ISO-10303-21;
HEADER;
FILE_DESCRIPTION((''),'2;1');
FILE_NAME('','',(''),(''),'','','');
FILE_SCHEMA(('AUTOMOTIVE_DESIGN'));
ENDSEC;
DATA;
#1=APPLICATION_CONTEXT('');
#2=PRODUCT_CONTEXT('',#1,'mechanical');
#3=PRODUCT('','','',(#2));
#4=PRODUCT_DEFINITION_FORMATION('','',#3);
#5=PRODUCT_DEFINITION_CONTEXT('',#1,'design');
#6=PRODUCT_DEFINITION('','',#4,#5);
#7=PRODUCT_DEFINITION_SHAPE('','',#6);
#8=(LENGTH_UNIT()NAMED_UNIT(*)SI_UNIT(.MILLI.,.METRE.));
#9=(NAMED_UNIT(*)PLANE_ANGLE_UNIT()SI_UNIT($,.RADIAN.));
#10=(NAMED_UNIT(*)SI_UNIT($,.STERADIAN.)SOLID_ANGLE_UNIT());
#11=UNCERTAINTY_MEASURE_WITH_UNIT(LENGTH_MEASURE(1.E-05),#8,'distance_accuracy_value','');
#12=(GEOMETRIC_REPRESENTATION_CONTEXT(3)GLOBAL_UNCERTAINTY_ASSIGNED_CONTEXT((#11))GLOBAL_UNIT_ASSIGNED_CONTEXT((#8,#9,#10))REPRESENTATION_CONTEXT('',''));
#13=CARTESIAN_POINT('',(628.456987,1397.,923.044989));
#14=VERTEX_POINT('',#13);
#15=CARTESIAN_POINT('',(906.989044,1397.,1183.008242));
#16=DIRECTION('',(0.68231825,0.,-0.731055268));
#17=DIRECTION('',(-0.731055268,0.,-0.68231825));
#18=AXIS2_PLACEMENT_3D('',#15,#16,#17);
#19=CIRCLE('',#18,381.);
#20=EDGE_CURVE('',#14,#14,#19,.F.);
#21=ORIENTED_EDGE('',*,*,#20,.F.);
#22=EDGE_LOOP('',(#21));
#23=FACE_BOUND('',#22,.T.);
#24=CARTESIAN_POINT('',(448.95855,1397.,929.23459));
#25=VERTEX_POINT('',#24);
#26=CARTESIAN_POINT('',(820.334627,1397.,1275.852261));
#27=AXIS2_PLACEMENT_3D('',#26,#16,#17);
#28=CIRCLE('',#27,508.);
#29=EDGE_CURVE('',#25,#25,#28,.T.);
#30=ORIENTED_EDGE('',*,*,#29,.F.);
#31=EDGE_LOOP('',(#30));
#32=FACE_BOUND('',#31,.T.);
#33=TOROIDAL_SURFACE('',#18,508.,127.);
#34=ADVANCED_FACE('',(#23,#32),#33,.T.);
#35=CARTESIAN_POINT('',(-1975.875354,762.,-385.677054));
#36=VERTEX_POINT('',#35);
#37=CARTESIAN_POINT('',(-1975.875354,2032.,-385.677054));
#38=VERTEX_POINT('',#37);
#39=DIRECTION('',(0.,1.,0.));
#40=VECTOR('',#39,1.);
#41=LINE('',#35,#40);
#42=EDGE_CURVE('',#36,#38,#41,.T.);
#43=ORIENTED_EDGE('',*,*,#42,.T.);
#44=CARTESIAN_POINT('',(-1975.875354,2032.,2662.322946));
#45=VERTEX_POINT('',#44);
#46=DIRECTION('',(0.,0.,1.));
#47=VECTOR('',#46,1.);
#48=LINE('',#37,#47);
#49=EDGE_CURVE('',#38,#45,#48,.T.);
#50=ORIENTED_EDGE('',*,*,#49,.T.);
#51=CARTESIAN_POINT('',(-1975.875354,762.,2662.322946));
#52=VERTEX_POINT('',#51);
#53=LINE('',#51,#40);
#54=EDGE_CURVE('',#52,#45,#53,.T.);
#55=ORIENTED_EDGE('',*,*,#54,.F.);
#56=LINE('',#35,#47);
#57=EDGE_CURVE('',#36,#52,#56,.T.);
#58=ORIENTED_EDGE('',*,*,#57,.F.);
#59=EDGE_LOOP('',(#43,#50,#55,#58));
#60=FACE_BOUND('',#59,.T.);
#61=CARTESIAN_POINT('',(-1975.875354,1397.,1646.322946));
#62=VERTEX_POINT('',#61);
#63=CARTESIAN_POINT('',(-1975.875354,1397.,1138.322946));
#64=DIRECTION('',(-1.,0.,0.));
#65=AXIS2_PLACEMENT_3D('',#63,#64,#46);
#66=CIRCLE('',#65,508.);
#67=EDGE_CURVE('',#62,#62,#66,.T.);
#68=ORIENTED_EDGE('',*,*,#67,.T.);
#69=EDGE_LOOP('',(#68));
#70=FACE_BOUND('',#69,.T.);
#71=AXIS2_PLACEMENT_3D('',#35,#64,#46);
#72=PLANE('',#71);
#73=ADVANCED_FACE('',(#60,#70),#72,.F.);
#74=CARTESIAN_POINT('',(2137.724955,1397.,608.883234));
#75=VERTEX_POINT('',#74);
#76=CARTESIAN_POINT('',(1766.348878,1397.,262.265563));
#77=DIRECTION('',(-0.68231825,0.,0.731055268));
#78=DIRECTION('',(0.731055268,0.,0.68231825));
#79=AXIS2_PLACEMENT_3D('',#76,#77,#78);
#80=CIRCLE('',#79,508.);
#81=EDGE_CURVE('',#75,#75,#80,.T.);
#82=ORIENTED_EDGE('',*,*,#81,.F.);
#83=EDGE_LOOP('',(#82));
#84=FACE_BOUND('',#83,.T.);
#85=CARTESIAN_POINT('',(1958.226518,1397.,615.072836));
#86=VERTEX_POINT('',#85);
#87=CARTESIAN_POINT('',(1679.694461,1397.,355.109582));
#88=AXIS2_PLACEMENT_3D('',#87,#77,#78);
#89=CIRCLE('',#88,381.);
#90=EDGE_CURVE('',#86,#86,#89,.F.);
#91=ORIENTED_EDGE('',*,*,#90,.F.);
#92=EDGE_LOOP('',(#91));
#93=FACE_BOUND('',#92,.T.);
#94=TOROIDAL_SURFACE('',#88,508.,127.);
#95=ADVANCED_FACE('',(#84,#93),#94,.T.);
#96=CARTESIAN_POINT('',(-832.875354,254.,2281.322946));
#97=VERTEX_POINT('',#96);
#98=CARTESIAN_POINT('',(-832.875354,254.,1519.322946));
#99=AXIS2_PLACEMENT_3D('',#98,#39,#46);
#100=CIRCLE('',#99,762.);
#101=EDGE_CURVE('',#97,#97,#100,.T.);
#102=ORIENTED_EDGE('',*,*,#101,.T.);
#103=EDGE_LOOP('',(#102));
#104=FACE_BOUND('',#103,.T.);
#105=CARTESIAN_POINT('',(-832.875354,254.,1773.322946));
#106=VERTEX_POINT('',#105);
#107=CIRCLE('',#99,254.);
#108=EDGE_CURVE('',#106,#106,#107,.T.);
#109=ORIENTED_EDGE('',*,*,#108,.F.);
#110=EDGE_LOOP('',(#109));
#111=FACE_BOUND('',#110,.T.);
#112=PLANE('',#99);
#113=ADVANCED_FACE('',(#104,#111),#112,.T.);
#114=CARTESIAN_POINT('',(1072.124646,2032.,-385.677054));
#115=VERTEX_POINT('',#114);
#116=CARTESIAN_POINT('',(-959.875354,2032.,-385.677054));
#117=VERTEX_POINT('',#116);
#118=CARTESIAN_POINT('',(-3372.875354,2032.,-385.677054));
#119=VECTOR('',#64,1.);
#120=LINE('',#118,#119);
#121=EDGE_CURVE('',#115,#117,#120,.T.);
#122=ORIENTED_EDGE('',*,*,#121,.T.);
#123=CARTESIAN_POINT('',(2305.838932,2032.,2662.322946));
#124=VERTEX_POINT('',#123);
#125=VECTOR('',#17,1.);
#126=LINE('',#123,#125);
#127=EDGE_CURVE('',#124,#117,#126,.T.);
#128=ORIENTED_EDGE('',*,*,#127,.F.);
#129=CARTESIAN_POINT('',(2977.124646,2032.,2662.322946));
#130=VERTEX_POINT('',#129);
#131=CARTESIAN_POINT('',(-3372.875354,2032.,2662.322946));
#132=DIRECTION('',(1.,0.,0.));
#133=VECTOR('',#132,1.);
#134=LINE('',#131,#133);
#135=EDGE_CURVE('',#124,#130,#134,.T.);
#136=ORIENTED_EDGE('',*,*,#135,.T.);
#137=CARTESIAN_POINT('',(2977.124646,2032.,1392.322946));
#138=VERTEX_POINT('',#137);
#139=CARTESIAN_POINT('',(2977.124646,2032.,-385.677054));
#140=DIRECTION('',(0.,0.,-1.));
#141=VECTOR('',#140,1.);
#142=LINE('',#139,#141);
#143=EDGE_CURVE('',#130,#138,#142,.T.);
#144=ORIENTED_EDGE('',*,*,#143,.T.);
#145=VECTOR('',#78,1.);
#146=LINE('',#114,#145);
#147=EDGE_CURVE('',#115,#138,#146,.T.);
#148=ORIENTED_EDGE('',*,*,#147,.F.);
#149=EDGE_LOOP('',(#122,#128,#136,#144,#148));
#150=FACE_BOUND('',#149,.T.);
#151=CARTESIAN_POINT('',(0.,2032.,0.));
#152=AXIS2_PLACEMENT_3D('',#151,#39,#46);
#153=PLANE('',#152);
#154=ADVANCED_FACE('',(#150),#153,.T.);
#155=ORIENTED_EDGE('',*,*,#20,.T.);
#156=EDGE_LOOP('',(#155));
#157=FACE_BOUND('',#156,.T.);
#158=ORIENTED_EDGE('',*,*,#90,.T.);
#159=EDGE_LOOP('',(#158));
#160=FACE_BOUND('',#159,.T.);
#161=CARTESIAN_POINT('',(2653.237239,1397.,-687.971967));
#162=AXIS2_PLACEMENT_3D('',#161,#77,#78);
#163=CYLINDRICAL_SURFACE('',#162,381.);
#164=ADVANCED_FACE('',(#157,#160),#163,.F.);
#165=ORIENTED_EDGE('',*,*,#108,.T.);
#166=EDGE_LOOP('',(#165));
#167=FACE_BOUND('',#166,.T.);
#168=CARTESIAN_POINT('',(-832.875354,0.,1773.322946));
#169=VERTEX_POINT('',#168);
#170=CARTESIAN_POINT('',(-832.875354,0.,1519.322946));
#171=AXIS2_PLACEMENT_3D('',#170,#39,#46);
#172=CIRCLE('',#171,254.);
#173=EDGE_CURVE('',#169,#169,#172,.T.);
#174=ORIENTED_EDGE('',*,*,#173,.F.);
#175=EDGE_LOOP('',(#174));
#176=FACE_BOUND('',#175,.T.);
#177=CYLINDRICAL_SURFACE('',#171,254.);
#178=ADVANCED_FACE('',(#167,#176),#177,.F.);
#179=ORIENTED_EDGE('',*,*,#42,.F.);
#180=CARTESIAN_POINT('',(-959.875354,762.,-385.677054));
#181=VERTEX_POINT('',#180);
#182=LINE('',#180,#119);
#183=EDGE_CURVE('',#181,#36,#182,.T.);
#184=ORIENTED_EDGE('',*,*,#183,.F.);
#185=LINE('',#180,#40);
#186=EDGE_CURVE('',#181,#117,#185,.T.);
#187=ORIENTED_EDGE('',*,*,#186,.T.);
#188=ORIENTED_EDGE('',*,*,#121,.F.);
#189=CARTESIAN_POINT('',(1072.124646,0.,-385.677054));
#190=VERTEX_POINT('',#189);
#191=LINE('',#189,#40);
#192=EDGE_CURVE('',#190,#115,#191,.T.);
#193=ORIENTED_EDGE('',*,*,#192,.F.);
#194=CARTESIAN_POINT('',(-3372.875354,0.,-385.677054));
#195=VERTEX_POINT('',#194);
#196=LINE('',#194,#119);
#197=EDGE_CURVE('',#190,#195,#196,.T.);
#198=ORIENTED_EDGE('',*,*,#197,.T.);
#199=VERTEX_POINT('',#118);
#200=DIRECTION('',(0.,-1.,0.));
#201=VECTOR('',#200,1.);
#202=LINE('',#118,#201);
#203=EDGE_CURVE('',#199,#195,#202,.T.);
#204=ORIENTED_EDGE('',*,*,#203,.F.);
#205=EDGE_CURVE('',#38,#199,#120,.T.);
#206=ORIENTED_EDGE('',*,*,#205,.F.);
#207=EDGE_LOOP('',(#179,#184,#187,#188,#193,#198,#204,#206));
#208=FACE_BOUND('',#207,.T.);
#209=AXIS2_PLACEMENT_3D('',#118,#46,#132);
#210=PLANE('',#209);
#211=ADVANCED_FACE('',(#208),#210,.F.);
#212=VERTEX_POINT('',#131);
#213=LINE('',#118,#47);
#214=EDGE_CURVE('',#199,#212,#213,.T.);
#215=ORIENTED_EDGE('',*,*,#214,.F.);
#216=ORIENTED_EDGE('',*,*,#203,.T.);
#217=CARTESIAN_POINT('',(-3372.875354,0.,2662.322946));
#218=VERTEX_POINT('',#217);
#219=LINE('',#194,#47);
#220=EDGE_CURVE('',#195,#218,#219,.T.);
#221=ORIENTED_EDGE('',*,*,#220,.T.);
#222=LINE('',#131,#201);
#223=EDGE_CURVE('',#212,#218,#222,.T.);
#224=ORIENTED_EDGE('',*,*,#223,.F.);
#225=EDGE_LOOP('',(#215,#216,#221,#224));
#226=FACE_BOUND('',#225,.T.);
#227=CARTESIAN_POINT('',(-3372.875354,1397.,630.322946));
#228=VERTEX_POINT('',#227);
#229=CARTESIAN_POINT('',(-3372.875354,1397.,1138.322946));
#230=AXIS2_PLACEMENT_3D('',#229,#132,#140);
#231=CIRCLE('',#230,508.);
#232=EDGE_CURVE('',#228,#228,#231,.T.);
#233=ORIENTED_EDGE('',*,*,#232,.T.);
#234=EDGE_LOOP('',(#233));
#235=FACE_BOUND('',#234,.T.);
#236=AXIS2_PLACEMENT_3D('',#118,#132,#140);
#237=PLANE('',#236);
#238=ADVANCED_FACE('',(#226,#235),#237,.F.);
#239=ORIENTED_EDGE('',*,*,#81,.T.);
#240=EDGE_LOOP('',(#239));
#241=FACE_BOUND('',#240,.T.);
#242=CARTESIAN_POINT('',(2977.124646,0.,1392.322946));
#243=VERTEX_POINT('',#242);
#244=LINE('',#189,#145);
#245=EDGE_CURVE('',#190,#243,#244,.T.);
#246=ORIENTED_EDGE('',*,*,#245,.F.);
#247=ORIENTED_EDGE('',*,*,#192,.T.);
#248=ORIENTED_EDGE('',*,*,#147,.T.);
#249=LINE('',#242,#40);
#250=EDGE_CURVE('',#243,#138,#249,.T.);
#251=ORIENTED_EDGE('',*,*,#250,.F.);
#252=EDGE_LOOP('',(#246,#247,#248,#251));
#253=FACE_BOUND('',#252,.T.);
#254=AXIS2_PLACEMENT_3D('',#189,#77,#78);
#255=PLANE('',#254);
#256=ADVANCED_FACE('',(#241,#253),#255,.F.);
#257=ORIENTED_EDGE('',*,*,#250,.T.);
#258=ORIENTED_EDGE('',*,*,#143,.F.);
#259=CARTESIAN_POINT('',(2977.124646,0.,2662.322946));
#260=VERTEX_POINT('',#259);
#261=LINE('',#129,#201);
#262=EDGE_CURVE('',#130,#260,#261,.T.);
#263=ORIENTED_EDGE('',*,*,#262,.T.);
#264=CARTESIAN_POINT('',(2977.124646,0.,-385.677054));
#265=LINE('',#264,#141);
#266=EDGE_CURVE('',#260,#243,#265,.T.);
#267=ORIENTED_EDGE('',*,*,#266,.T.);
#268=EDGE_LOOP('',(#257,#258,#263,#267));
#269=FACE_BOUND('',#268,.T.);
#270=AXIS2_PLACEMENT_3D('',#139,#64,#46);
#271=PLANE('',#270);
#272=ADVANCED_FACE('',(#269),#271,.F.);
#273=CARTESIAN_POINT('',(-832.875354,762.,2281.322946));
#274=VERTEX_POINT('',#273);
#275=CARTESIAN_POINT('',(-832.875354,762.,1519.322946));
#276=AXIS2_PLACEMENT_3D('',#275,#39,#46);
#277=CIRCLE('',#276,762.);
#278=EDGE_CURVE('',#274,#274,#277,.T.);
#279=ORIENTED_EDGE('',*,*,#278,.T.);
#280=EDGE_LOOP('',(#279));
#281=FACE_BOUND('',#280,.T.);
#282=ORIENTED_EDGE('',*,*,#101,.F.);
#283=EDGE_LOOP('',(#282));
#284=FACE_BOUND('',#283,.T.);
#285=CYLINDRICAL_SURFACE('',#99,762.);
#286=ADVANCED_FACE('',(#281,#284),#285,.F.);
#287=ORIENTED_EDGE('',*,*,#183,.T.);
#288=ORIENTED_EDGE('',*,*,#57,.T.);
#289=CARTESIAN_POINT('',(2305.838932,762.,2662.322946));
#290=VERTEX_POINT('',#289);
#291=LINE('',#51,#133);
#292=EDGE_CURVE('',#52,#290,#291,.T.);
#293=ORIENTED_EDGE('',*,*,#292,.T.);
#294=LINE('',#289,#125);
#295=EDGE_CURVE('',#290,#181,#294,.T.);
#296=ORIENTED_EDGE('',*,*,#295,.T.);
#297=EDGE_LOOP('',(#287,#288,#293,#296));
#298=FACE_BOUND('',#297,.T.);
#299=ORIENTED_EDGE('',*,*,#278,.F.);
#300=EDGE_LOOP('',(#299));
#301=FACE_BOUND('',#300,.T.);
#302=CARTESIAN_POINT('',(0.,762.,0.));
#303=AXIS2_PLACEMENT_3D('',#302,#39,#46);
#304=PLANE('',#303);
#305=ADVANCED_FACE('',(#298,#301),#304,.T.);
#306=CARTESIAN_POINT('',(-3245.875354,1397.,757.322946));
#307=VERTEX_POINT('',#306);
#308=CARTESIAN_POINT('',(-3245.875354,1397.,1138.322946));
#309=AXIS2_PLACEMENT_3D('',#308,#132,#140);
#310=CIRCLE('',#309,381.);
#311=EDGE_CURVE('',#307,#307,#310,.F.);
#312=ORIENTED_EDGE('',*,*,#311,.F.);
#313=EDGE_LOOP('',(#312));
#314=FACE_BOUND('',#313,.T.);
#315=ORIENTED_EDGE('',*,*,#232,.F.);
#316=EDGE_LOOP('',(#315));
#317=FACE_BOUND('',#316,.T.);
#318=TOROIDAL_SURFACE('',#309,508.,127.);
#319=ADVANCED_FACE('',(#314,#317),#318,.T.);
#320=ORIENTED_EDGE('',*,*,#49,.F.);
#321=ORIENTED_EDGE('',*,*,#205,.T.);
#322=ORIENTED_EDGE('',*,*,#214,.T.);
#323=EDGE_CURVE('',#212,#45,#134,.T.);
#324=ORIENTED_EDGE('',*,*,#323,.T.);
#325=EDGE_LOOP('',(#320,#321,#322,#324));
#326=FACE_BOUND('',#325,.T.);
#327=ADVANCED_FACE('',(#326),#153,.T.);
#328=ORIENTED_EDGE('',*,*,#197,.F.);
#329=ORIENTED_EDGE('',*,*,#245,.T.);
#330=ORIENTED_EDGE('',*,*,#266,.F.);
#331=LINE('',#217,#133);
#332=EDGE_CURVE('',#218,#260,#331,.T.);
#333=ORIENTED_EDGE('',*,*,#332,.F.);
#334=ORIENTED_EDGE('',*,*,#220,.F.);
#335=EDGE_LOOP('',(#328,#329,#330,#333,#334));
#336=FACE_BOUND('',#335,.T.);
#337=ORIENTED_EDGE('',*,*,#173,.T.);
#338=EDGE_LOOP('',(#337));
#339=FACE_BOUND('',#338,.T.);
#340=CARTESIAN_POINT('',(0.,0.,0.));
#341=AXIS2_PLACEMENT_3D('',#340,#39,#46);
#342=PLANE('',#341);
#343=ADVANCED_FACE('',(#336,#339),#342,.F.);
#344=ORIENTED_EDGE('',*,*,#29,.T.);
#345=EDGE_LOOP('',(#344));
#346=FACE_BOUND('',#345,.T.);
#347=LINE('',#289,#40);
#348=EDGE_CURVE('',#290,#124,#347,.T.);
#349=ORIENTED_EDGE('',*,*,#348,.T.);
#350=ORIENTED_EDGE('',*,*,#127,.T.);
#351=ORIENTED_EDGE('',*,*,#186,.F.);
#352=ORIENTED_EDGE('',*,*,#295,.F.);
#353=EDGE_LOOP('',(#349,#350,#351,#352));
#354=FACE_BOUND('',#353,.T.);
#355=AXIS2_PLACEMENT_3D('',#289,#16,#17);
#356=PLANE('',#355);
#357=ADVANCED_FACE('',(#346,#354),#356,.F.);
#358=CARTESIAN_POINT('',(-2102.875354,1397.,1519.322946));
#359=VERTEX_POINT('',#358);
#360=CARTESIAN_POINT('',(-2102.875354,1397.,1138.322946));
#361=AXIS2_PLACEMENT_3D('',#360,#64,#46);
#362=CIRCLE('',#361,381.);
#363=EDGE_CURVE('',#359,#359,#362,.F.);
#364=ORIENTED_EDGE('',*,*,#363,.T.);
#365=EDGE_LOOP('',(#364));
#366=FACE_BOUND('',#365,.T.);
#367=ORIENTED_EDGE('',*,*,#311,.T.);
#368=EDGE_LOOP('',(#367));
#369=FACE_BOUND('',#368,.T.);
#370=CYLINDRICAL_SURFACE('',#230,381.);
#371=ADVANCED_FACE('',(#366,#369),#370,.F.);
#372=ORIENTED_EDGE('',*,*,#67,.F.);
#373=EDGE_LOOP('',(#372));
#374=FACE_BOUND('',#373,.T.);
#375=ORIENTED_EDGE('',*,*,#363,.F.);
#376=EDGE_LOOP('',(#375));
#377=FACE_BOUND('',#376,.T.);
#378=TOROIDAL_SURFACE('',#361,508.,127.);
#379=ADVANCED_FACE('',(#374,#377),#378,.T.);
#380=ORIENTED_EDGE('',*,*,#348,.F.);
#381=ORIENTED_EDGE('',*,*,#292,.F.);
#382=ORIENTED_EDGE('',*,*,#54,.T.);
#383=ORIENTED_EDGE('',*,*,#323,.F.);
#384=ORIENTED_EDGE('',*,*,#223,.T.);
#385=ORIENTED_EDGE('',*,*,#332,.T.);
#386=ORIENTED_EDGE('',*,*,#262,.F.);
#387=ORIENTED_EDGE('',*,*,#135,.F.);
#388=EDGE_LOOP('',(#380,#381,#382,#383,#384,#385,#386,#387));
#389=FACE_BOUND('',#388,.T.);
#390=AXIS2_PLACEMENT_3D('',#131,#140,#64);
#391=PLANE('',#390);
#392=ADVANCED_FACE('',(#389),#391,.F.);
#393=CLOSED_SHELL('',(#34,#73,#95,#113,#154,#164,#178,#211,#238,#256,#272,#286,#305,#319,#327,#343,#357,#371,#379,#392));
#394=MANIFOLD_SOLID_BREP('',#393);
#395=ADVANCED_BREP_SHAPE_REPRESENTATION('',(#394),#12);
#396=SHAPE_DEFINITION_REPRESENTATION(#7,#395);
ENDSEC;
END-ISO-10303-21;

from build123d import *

# Parameters (mm, degrees)
SKETCH1_W           = 6350
SKETCH1_H           = 3048
BOSS_EXTRUDE1_DEPTH = 2032
CUT_EXTRUDE1_DEPTH  = 4754.238435433
CUT_EXTRUDE2_DEPTH  = 1270
SKETCH4_R           = 762
CUT_EXTRUDE3_DEPTH  = 508
SKETCH5_R           = 254
CUT_EXTRUDE4_DEPTH  = 4651.326399736
SKETCH6_R           = 381
CUT_EXTRUDE5_DEPTH  = 5980.063176597
FILLET1_R           = 127
SKETCH7_R           = 381
CUT_EXTRUDE6_DEPTH  = 4504.645028622
FILLET2_R           = 127


with BuildPart() as part:
    # Sketch1 → Boss-Extrude1 (new body)
    with BuildSketch(Plane(origin=(0, 0, 0), x_dir=(1, 0, 0), z_dir=(0, 1, 0))):
        with Locations((-197.875354108, -1138.322946176)):
            Rectangle(SKETCH1_W, SKETCH1_H)
    extrude(amount=BOSS_EXTRUDE1_DEPTH)

    # Sketch2 → Cut-Extrude1 (cut, through all)
    with BuildSketch(Plane(origin=(0, 2032, 0), x_dir=(1, 0, 0), z_dir=(0, 1, 0))):
        Polygon((1072.124645892, 385.677053824), (2977.124645892, -1392.322946176), (2977.124645892, 385.677053824), align=None)
    extrude(amount=-CUT_EXTRUDE1_DEPTH, mode=Mode.SUBTRACT)

    # Sketch3 → Cut-Extrude2 (cut)
    with BuildSketch(Plane(origin=(0, 2032, 0), x_dir=(1, 0, 0), z_dir=(0, 1, 0))):
        Polygon((-1975.875354108, 385.677053824), (-1975.875354108, -2662.322946176), (2305.838931607, -2662.322946176), (-959.875354108, 385.677053824), align=None)
    extrude(amount=-CUT_EXTRUDE2_DEPTH, mode=Mode.SUBTRACT)

    # Sketch4 → Cut-Extrude3 (cut)
    with BuildSketch(Plane(origin=(0, 762, 0), x_dir=(1, 0, 0), z_dir=(0, 1, 0))):
        with Locations(Location((-832.875354108, -1519.322946176, 0), (0, 0, 270))):
            Circle(SKETCH4_R)
    extrude(amount=-CUT_EXTRUDE3_DEPTH, mode=Mode.SUBTRACT)

    # Sketch5 → Cut-Extrude4 (cut, through all)
    with BuildSketch(Plane(origin=(0, 254, 0), x_dir=(1, 0, 0), z_dir=(0, 1, 0))):
        with Locations(Location((-832.875354108, -1519.322946176, 0), (0, 0, 270))):
            Circle(SKETCH5_R)
    extrude(amount=-CUT_EXTRUDE4_DEPTH, mode=Mode.SUBTRACT)

    # Sketch6 → Cut-Extrude5 (cut, through all)
    with BuildSketch(Plane(origin=(-1975.875354108, 0, 0), x_dir=(0, 0, -1), z_dir=(1, 0, 0))):
        with Locations((-1138.322946176, 1397)):
            Circle(SKETCH6_R)
    extrude(amount=-CUT_EXTRUDE5_DEPTH, mode=Mode.SUBTRACT)

    # Fillet1
    fillet1_edges = [part.edges().sort_by_distance(p)[0] for p in [
        (-3372.875354108, 1397, 1519.322946176),
        (-1975.875354108, 1397, 1519.322946176),
    ]]
    fillet(fillet1_edges, radius=FILLET1_R)

    # Sketch7 → Cut-Extrude6 (cut, through all)
    with BuildSketch(Plane(origin=(-254.497358912, 0, 272.675741692), x_dir=(0.7310552682428689, 0, 0.6823182503600114), z_dir=(-0.6823182503600114, 0, 0.7310552682428689))):
        with Locations((1470.247233198, 1397)):
            Circle(SKETCH7_R)
    extrude(amount=-CUT_EXTRUDE6_DEPTH, mode=Mode.SUBTRACT)

    # Fillet2
    fillet2_edges = [part.edges().sort_by_distance(p)[0] for p in [
        (1487.816821118, 1397, 2.30230972),
        (541.802569337, 1397, 1015.889008057),
    ]]
    fillet(fillet2_edges, radius=FILLET2_R)


solid = part.part
